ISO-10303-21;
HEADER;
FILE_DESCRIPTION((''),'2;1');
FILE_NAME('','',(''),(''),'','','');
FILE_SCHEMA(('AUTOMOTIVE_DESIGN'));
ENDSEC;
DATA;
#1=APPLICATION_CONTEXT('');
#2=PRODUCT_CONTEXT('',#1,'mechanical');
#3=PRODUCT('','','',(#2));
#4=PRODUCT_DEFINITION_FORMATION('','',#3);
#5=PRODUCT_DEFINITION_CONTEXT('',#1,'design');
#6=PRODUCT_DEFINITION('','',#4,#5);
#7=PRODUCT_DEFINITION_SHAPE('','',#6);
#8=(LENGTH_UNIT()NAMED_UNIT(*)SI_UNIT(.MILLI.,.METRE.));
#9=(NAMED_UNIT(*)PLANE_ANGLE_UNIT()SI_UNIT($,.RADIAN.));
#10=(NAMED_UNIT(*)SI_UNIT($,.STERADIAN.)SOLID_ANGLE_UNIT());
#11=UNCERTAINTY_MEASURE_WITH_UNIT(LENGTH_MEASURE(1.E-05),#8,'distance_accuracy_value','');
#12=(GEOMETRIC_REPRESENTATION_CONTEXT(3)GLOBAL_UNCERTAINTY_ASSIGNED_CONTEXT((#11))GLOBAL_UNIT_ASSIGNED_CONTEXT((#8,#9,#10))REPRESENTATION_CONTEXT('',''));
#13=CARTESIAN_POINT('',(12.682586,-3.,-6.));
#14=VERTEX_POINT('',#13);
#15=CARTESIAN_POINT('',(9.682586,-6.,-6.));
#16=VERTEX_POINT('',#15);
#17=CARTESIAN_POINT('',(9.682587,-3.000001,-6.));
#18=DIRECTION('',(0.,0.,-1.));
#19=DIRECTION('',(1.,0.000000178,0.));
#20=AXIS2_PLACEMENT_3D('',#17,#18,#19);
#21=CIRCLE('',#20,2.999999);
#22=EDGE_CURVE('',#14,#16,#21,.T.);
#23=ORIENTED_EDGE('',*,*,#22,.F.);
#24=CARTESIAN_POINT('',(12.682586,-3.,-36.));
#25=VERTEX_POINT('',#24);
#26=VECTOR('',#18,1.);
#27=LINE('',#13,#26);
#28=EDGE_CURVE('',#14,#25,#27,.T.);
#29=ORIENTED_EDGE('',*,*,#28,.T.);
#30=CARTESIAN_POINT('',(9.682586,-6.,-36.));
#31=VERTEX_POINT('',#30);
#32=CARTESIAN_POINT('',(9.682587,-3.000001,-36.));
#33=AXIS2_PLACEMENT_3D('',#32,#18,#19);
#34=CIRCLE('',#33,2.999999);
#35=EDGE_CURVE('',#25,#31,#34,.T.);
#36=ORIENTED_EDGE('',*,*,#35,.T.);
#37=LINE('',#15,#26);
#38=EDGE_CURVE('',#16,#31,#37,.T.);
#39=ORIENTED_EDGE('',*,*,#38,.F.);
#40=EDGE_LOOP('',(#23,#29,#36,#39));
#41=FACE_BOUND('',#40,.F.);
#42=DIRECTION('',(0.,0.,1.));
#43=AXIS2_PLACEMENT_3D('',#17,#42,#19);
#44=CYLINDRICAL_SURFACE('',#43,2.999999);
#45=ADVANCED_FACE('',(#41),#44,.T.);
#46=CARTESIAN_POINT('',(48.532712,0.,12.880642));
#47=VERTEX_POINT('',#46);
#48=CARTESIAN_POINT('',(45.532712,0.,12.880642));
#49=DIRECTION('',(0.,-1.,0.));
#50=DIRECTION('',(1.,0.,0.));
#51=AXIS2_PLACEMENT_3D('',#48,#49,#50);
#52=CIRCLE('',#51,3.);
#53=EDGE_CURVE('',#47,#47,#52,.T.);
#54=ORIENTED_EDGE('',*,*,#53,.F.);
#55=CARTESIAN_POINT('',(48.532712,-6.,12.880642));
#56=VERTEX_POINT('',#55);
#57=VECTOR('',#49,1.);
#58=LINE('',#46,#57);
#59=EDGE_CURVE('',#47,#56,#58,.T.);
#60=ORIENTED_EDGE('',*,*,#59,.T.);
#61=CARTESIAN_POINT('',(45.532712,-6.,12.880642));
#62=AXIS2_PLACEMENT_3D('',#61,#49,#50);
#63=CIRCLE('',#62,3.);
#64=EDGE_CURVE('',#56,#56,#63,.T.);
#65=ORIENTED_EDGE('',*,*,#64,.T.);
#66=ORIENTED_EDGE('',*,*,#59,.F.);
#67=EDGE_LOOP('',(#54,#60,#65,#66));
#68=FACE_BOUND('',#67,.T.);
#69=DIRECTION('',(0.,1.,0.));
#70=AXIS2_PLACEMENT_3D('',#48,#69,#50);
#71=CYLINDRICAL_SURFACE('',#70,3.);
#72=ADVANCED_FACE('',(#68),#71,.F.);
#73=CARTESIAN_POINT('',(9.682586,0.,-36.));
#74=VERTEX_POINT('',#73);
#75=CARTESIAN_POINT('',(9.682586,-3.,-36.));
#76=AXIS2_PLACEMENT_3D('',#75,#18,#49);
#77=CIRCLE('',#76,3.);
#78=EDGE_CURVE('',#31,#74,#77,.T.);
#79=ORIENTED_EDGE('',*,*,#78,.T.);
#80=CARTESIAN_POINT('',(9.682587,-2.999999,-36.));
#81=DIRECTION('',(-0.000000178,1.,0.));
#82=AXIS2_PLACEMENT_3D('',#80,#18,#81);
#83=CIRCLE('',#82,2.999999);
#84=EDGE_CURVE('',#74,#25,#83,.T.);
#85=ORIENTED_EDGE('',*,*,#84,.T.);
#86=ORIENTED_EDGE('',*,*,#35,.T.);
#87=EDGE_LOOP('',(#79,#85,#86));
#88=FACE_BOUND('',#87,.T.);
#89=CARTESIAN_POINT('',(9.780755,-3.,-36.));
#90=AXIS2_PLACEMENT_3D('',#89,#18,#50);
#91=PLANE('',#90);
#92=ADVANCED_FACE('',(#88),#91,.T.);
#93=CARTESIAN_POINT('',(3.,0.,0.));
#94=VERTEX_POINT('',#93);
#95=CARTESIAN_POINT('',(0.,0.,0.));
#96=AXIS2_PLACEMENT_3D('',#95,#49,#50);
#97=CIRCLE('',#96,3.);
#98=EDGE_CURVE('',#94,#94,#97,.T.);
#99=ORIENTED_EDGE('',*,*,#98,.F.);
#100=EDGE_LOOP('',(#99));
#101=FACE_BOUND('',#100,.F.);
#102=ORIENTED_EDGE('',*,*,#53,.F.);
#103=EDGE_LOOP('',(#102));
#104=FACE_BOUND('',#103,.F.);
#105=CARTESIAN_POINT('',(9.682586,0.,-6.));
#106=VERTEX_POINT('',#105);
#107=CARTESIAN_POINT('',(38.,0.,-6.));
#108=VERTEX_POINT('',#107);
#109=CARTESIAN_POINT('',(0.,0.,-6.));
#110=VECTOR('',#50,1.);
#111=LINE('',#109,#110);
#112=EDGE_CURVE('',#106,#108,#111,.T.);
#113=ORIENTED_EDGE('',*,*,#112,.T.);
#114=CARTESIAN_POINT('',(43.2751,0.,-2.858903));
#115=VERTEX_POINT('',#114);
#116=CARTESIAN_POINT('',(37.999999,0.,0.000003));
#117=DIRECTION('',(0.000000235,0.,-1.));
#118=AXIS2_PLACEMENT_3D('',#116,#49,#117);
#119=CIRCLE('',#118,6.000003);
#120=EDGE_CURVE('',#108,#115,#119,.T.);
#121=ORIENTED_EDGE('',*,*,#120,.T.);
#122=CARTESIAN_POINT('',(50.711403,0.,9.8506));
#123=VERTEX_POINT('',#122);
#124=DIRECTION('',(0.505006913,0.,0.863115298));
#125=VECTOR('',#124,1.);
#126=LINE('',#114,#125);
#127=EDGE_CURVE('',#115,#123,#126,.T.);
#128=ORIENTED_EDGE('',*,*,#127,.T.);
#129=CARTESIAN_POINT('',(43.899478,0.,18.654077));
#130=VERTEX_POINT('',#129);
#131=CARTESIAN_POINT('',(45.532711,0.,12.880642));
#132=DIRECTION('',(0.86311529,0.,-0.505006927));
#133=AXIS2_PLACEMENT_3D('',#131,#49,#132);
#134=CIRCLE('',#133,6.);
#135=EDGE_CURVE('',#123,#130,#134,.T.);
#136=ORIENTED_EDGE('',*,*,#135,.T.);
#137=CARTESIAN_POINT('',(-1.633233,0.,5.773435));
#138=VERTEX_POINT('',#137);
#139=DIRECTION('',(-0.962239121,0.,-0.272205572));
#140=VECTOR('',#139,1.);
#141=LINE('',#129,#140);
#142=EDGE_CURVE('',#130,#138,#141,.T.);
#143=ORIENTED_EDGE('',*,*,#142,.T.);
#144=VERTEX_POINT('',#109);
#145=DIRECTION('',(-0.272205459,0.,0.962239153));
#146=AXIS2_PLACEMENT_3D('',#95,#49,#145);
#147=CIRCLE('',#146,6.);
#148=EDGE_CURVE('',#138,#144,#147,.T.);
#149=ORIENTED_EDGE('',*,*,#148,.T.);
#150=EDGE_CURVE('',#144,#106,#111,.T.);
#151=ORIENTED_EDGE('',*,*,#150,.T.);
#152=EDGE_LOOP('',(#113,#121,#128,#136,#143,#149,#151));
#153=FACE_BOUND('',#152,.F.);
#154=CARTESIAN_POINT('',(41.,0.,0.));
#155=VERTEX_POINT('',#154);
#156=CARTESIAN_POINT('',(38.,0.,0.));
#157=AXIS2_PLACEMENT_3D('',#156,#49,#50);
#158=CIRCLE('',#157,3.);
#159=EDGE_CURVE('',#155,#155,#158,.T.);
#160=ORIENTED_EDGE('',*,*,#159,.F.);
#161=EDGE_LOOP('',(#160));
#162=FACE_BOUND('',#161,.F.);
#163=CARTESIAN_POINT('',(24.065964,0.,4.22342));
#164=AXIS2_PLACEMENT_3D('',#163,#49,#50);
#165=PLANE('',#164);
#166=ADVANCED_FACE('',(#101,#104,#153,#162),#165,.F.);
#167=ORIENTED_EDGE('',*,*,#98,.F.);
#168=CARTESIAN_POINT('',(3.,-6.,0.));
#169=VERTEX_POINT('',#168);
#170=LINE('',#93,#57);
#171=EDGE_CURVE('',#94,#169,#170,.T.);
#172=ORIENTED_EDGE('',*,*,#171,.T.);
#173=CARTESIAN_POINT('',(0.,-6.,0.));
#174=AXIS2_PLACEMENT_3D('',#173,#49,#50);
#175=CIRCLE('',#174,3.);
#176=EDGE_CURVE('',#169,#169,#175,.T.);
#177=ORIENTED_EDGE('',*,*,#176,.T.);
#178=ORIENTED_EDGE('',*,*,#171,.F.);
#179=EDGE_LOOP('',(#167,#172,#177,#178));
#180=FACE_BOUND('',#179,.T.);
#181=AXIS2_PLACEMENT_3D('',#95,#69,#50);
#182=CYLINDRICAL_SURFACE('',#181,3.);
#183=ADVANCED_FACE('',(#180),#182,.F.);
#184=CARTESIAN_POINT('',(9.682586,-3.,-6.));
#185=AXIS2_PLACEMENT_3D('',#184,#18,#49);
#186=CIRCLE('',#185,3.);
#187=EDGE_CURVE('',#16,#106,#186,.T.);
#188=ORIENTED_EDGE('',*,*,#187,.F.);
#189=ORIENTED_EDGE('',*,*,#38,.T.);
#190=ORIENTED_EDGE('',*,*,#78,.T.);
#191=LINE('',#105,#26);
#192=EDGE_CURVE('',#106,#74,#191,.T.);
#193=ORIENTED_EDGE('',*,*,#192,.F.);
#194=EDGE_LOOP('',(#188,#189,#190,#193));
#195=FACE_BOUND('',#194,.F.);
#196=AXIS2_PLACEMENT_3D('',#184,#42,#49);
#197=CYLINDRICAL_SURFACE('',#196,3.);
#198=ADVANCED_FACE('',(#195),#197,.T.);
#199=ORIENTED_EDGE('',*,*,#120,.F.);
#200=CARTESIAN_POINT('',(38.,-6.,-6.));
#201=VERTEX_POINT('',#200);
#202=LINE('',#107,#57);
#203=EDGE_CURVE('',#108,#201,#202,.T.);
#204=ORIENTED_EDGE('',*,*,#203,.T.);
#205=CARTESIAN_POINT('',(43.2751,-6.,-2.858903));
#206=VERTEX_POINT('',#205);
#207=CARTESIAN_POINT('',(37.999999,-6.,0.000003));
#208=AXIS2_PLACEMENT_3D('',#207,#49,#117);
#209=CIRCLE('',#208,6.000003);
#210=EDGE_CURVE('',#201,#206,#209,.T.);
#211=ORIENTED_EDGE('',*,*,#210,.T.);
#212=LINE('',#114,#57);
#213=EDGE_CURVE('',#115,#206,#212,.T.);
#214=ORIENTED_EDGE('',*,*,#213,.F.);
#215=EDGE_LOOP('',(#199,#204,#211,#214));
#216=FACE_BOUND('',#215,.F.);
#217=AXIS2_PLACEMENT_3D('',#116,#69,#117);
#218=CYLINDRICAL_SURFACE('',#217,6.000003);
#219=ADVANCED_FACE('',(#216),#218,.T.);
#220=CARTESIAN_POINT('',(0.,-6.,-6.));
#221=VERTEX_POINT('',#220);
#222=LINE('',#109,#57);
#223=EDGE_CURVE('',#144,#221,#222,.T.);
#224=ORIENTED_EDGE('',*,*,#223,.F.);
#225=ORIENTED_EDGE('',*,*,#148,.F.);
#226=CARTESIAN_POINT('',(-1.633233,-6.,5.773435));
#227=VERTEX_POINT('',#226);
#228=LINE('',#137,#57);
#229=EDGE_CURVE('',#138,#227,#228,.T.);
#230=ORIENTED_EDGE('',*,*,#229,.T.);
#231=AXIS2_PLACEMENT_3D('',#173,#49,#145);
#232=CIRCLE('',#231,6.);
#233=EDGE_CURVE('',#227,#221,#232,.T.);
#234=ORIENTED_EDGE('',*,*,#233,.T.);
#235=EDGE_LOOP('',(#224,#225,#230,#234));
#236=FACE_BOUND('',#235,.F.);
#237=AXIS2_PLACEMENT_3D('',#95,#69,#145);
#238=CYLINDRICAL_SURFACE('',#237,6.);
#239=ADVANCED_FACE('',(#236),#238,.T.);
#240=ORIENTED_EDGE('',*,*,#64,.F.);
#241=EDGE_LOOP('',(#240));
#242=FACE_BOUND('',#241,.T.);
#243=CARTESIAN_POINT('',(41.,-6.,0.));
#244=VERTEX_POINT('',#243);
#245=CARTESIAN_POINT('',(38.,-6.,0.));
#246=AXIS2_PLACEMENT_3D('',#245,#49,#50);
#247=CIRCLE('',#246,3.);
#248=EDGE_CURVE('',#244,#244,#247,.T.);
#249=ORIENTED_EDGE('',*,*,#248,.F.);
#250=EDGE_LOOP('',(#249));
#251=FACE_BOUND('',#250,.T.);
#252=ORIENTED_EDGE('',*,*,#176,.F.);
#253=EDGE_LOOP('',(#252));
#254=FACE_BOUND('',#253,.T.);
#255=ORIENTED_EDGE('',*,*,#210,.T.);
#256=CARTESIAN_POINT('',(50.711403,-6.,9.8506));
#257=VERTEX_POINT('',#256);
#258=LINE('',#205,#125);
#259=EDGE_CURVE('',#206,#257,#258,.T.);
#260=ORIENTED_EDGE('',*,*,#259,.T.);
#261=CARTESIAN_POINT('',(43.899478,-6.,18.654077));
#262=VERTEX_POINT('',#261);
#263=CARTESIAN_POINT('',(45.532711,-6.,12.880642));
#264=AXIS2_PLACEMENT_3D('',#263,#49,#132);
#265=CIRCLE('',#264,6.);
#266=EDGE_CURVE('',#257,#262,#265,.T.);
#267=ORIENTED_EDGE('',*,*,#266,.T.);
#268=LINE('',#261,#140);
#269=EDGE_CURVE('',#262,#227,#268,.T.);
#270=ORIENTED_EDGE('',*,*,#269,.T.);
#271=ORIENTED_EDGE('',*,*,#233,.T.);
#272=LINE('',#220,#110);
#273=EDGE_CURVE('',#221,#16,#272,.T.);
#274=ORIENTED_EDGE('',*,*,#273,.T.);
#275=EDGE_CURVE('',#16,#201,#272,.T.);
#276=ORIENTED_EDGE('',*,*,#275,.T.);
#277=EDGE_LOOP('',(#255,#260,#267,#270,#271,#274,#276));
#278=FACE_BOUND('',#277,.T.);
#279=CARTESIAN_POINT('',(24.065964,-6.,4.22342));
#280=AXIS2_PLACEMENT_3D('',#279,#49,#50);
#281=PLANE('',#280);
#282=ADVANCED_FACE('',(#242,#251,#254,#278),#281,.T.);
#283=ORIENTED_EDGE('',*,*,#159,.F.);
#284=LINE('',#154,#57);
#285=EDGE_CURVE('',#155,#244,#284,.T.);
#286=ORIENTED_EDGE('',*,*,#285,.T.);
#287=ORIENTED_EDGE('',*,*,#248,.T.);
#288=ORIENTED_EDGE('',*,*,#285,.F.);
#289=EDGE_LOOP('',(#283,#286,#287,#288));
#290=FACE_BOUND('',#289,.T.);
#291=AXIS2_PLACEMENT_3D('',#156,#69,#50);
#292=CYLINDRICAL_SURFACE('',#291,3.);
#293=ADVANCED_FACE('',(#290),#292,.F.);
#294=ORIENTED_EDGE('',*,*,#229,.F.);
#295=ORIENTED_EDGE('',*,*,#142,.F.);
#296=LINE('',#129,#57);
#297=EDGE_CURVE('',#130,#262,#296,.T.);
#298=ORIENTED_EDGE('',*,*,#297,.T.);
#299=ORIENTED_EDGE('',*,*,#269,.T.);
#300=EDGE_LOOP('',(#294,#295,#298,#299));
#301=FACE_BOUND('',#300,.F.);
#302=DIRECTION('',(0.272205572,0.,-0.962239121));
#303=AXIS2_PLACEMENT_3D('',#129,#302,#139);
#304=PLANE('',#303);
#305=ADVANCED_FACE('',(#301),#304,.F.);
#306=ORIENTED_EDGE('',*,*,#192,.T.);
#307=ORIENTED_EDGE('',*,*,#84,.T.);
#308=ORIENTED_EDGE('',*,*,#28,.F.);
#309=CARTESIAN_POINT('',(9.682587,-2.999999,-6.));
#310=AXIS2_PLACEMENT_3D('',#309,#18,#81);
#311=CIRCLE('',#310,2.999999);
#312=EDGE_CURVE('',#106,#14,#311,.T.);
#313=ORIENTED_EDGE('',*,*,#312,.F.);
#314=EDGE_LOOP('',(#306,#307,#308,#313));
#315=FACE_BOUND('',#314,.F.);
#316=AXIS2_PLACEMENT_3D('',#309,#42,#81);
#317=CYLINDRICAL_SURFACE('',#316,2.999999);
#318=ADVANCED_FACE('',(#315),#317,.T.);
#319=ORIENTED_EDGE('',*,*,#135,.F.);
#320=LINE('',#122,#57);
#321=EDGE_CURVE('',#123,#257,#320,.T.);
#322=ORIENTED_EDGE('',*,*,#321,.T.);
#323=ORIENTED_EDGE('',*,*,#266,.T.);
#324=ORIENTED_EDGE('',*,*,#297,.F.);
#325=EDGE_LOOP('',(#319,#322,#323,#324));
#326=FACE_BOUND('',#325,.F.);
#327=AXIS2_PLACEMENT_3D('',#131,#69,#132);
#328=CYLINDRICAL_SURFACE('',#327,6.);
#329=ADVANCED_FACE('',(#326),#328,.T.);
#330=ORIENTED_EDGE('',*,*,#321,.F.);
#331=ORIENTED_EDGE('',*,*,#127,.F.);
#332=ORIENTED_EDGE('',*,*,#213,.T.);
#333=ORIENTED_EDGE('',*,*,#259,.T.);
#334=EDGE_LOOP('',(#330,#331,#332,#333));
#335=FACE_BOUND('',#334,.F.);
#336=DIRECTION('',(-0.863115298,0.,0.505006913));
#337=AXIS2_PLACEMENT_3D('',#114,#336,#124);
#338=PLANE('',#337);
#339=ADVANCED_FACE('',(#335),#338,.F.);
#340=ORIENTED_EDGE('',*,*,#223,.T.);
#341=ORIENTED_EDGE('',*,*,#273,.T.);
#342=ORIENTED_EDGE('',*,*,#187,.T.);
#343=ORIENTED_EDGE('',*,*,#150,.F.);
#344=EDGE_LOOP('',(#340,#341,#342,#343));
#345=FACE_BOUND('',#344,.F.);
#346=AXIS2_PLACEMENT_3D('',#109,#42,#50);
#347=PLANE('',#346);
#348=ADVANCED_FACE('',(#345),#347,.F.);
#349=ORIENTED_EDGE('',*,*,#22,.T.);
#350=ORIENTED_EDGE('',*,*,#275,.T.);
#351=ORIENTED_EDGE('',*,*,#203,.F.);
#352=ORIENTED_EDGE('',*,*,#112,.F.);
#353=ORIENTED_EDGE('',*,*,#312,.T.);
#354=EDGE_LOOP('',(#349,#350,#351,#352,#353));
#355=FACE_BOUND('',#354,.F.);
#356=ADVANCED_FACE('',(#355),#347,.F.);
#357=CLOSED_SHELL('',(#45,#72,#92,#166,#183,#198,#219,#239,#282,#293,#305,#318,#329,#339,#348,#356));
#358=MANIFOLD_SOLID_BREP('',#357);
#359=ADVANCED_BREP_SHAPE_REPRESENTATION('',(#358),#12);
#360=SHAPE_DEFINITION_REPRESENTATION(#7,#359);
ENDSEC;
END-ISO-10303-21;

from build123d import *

# Parameters (mm, degrees)
F0_R     = 3
F1_DEPTH = 6
F3_DEPTH = 30


with BuildPart() as f1:
    # F0 (on Front) → F1 (new body)
    with BuildSketch(Plane.XZ):
        with BuildLine():
            Line((43.899478, 18.654077), (-1.633233, 5.773435))
            ThreePointArc((-1.633233, 5.773435), (-5.943089, -0.824437), (0, -6))
            Line((0, -6), (38, -6))
            ThreePointArc((38, -6), (41.069738, -5.15526), (43.2751, -2.858903))
            Line((43.2751, -2.858903), (50.711403, 9.8506))
            ThreePointArc((50.711403, 9.8506), (50.278011, 16.552444), (43.899478, 18.654077))
        make_face()
        Circle(F0_R, mode=Mode.SUBTRACT)
        with Locations((38, 0)):
            Circle(F0_R, mode=Mode.SUBTRACT)
        with Locations((45.532712, 12.880642)):
            Circle(F0_R, mode=Mode.SUBTRACT)
    extrude(amount=F1_DEPTH)

    # F2 (on face) → F3 (join)
    with BuildSketch(Plane(origin=(0, 0, -6), x_dir=(1, 0, 0), z_dir=(0, 0, -1))):
        with BuildLine():
            ThreePointArc((9.682586, 0), (11.803907, 0.87868), (12.682586, 3))
            ThreePointArc((12.682586, 3), (11.803907, 5.12132), (9.682586, 6))
            ThreePointArc((9.682586, 6), (6.682586, 3), (9.682586, 0))
        make_face()
    extrude(amount=F3_DEPTH)


solid = f1.part
